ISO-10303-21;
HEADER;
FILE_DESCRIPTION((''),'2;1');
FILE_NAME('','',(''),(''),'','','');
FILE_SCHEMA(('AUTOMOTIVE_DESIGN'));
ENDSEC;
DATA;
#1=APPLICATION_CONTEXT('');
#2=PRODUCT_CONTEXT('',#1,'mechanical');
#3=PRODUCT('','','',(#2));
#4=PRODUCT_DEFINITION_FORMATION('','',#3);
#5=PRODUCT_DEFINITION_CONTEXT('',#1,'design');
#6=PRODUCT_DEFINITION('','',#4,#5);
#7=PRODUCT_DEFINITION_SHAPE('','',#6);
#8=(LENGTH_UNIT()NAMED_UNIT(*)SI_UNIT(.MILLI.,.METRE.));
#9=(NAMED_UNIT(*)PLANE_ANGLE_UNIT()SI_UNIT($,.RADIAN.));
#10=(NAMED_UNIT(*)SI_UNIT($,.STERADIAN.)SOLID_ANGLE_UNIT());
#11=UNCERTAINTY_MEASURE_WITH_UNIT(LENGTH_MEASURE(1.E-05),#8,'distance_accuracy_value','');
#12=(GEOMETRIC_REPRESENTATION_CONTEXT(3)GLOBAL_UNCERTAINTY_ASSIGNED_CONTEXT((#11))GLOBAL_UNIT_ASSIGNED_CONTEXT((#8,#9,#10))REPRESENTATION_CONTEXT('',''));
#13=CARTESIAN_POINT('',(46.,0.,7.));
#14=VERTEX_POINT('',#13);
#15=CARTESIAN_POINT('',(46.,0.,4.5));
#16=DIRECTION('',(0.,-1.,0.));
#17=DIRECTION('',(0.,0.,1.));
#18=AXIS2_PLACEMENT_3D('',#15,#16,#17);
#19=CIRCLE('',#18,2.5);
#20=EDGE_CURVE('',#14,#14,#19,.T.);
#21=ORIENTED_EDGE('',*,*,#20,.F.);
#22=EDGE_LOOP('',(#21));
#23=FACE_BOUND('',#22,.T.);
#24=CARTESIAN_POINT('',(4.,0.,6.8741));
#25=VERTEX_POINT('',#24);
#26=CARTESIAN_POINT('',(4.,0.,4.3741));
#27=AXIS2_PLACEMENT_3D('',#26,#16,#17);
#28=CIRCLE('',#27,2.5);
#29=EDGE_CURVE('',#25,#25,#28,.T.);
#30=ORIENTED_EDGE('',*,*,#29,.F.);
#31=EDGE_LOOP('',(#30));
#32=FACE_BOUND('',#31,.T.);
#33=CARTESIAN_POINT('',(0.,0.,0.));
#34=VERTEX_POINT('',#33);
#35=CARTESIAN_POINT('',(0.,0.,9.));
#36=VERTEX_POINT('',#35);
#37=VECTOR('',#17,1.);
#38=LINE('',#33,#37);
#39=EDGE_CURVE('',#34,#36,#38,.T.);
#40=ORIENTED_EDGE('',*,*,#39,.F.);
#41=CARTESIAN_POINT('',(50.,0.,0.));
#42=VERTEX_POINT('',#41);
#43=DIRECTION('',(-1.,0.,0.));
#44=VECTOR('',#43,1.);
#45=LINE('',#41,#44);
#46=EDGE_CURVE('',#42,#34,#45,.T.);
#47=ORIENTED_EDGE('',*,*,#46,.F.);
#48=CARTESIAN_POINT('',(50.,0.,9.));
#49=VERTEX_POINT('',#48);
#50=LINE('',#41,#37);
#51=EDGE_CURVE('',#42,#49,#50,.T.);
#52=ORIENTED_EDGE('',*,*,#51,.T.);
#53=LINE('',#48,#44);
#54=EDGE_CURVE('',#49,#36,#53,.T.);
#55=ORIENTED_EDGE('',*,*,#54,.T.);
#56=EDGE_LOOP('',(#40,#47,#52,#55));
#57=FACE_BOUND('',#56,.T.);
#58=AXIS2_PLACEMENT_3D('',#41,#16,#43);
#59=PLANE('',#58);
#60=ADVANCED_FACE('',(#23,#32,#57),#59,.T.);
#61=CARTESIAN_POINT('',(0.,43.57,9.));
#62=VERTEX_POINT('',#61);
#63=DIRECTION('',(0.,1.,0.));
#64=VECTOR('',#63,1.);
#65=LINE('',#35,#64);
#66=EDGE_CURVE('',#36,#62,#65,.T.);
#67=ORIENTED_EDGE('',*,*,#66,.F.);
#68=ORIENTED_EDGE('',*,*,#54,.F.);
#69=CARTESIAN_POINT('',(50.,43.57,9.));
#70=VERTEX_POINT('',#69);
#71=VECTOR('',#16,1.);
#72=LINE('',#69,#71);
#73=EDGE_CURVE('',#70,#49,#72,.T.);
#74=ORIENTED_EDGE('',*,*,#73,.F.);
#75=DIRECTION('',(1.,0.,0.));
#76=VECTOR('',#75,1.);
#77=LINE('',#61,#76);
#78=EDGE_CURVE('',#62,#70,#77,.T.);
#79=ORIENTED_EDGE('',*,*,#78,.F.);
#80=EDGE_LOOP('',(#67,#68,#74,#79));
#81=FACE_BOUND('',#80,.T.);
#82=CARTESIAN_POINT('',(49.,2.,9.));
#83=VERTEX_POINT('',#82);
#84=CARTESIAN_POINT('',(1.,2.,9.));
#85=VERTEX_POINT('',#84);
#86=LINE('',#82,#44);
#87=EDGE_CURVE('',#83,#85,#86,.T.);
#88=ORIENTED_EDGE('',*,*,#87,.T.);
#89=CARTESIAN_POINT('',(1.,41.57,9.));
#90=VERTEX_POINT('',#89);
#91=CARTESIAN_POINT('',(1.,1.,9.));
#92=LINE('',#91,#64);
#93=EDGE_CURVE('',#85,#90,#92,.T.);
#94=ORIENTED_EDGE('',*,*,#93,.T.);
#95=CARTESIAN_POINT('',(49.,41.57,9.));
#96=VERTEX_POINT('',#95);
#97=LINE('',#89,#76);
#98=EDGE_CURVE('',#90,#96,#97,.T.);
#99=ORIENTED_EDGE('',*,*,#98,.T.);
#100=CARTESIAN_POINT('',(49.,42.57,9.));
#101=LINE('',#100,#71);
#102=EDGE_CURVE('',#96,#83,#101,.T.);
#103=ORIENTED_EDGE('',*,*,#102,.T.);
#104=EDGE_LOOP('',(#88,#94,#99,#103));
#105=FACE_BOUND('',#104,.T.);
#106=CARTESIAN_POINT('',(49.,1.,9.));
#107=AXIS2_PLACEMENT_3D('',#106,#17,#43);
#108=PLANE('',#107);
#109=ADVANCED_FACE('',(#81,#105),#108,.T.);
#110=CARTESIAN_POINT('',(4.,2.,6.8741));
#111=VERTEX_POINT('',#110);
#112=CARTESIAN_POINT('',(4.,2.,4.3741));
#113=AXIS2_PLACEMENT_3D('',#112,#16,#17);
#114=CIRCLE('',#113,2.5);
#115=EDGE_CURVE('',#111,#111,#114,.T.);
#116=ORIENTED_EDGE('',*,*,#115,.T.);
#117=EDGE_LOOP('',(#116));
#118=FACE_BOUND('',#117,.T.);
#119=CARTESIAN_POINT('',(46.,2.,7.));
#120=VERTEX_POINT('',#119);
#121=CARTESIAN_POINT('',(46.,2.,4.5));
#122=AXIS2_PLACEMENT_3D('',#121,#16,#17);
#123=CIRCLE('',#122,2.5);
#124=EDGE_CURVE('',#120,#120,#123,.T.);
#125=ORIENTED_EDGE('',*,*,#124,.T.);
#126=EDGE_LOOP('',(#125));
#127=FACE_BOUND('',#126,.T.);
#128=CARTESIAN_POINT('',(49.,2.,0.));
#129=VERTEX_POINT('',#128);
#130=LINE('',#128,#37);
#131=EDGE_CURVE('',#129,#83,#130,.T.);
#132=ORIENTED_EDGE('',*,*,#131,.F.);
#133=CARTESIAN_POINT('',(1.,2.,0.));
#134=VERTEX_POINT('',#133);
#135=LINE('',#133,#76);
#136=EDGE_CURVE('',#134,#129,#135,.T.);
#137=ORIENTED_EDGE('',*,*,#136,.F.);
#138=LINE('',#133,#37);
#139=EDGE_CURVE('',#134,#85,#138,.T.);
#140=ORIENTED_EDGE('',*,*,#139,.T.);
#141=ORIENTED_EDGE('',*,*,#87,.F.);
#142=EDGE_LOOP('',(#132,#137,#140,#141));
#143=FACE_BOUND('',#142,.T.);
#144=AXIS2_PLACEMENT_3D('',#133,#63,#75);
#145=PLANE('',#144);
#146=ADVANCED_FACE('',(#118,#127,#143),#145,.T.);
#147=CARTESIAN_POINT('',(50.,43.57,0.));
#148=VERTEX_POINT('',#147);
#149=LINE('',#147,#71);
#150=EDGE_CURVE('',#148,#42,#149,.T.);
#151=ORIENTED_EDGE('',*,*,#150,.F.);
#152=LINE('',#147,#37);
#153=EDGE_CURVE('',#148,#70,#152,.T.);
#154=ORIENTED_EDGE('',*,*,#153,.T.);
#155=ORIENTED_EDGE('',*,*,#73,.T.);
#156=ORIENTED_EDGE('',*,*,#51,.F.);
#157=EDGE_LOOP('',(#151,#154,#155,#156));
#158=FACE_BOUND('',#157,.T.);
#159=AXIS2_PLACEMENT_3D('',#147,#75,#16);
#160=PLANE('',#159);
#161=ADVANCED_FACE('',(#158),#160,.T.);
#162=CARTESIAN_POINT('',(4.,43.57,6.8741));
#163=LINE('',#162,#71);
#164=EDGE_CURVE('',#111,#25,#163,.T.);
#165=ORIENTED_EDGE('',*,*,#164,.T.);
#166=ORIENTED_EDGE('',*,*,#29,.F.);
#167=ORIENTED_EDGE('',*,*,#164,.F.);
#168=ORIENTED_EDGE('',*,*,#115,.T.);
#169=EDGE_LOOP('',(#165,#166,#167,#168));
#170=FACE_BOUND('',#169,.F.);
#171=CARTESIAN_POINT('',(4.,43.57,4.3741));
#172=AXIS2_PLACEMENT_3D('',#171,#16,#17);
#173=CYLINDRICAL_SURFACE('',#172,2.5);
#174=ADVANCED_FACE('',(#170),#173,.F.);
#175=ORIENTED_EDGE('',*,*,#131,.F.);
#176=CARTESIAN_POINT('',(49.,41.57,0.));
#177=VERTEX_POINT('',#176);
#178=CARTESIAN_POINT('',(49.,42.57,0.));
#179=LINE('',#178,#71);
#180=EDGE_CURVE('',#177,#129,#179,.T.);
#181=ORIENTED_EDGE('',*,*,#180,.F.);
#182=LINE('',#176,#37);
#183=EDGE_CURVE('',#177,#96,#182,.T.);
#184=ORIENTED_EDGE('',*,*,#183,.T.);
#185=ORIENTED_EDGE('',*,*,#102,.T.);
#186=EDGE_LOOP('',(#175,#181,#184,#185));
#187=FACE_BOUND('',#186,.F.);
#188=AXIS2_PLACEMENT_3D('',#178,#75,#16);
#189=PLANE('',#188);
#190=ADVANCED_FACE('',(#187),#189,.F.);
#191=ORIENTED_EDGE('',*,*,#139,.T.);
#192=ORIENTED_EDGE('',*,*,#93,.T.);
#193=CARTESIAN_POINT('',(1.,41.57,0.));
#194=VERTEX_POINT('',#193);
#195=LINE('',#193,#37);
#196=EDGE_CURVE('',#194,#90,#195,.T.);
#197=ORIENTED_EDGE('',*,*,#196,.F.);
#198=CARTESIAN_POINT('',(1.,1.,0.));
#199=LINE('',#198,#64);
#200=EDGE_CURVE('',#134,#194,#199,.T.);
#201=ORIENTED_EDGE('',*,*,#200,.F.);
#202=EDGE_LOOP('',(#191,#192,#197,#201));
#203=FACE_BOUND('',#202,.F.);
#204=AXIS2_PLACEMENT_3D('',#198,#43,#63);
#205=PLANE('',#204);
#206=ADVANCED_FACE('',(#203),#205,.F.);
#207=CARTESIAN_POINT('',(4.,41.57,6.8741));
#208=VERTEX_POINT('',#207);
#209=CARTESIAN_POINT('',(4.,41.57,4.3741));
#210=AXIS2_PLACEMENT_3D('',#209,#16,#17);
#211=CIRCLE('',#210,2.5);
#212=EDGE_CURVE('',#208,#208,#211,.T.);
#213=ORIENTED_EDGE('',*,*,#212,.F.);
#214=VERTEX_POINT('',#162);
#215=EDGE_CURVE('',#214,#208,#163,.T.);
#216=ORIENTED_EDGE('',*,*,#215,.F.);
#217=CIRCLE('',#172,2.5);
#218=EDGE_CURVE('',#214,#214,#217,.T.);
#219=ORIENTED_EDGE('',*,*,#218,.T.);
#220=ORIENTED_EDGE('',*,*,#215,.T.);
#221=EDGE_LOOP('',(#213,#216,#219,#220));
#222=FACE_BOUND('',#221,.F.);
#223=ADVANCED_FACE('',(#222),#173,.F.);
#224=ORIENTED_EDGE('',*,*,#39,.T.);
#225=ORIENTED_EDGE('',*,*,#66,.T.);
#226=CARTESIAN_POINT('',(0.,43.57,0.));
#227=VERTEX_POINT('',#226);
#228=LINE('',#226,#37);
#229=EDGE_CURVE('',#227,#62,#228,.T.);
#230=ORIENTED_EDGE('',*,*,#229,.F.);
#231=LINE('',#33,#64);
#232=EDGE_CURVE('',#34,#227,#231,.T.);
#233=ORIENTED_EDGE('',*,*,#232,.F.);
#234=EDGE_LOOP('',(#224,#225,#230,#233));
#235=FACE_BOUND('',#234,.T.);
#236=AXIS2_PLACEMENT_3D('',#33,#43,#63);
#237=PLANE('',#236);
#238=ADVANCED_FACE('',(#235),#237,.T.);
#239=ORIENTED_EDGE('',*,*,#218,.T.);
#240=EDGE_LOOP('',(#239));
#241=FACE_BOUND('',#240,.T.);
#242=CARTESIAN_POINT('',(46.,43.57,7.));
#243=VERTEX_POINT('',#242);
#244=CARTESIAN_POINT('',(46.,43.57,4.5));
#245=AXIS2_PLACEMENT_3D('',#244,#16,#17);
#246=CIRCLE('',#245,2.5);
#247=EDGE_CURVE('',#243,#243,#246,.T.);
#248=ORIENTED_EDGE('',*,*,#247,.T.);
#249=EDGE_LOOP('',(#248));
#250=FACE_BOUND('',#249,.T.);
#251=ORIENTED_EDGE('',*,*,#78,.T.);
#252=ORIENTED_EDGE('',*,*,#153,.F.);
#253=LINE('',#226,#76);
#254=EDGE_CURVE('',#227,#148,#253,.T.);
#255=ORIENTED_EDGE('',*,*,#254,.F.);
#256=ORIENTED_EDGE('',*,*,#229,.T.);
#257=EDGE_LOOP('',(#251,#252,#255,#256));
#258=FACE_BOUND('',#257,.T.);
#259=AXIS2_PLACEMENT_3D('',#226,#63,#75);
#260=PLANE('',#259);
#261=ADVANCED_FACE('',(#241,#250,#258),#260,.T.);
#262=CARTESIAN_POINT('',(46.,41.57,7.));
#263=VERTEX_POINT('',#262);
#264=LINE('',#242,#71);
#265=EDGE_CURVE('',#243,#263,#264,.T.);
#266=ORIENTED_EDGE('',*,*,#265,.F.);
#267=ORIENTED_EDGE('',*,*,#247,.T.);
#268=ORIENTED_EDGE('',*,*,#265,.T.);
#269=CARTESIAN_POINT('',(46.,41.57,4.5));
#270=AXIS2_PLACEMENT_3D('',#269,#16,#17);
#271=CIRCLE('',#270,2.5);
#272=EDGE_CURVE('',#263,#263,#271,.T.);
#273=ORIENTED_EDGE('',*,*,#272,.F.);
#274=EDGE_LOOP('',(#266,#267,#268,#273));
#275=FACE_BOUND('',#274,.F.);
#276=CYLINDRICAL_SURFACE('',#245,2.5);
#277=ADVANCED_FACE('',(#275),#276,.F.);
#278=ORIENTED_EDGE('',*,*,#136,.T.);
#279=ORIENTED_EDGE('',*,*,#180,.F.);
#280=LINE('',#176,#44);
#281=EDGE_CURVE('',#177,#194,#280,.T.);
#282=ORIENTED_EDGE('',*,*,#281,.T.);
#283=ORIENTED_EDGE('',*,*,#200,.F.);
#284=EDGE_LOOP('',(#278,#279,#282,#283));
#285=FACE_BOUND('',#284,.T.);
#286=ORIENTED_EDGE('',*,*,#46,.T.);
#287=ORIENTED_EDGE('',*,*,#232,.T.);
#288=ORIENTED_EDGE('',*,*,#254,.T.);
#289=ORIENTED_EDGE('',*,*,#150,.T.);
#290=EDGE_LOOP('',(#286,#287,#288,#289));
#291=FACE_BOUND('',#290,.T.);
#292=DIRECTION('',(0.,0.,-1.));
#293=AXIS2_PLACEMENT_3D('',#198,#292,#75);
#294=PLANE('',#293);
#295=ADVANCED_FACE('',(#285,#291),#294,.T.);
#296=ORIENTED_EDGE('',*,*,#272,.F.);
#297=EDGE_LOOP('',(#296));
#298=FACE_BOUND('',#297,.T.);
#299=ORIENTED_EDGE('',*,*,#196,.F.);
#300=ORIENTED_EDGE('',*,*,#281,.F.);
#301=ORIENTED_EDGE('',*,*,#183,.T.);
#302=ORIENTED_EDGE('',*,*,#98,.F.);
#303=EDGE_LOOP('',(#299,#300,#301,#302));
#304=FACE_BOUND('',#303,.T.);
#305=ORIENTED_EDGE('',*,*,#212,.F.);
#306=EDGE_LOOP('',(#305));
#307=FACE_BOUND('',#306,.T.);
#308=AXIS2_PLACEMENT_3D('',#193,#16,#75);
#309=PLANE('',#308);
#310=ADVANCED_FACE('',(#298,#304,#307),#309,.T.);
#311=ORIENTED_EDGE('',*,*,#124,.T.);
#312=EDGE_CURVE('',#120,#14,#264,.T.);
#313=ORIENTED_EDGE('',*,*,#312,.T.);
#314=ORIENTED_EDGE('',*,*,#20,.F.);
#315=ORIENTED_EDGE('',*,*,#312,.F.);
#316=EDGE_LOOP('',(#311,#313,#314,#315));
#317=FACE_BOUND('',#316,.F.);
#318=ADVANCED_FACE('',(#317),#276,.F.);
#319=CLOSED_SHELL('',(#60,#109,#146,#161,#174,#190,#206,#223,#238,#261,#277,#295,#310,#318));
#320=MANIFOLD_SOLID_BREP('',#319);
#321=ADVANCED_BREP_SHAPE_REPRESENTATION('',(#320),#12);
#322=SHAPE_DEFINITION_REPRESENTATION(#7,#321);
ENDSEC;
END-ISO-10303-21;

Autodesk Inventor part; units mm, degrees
ref_plane "YZ Plane" through (0, 0, 0) normal (1, 0, 0) x (0, 1, 0)
ref_plane "XZ Plane" through (0, 0, 0) normal (0, 1, 0) x (-1, 0, 0)
ref_plane "XY Plane" through (0, 0, 0) normal (0, 0, 1) x (1, 0, 0)
sketch "Sketch1" plane through (0, 0, 0) normal (0, 0, 1) x (1, 0, 0)
  line L0 (0, 0) -> (0, 43.57)
  line L1 (0, 43.57) -> (50, 43.57)
  line L2 (50, 43.57) -> (50, 0)
  line L3 (50, 0) -> (0, 0)
  line L4 (1, 1) -> (1, 42.57)
  line L5 (1, 42.57) -> (49, 42.57)
  line L6 (49, 42.57) -> (49, 1)
  line L7 (49, 1) -> (1, 1)
  dimension "d0" = 43.57
  dimension "d1" = 50
  dimension "d2" = 41.57
  dimension "d3" = 48
extrude "Extrusion1" add sketch "Sketch1" along normal blind 9
sketch "Sketch2" plane through (1, 42.57, 0) normal (0, -1, 0) x (1, 0, 0)
  line L0 (48, 0) -> (0, 0) projected
  line L1 (48, 0) -> (48, 9) projected
  line L2 (0, 9) -> (48, 9) projected
  line L3 (0, 0) -> (0, 9) projected
  point P0 (-1, 0)
extrude "Extrusion2" add sketch "Sketch2" along normal blind 1
sketch "Sketch3" plane through (1, 1, 0) normal (0, 1, 0) x (1, 0, 0)
  line L0 (0, 0) -> (48, 0) projected
  line L1 (0, 0) -> (0, -9) projected
  line L2 (48, -9) -> (0, -9) projected
  line L3 (48, 0) -> (48, -9) projected
  point P0 (-1, 0)
extrude "Extrusion3" add sketch "Sketch3" along normal blind 1
sketch "Sketch4" plane through (0, 43.57, 0) normal (0, 1, 0) x (1, 0, 0)
  point P0 (4, -4.3741)
  point P1 (46, -4.5)
hole "Hole1" at (4, 43.57, 4.3741) at (46, 43.57, 4.5) direction (0, -1, 0) diameter 5 end through all
properties part number "Hoofdplaat zijkant"
